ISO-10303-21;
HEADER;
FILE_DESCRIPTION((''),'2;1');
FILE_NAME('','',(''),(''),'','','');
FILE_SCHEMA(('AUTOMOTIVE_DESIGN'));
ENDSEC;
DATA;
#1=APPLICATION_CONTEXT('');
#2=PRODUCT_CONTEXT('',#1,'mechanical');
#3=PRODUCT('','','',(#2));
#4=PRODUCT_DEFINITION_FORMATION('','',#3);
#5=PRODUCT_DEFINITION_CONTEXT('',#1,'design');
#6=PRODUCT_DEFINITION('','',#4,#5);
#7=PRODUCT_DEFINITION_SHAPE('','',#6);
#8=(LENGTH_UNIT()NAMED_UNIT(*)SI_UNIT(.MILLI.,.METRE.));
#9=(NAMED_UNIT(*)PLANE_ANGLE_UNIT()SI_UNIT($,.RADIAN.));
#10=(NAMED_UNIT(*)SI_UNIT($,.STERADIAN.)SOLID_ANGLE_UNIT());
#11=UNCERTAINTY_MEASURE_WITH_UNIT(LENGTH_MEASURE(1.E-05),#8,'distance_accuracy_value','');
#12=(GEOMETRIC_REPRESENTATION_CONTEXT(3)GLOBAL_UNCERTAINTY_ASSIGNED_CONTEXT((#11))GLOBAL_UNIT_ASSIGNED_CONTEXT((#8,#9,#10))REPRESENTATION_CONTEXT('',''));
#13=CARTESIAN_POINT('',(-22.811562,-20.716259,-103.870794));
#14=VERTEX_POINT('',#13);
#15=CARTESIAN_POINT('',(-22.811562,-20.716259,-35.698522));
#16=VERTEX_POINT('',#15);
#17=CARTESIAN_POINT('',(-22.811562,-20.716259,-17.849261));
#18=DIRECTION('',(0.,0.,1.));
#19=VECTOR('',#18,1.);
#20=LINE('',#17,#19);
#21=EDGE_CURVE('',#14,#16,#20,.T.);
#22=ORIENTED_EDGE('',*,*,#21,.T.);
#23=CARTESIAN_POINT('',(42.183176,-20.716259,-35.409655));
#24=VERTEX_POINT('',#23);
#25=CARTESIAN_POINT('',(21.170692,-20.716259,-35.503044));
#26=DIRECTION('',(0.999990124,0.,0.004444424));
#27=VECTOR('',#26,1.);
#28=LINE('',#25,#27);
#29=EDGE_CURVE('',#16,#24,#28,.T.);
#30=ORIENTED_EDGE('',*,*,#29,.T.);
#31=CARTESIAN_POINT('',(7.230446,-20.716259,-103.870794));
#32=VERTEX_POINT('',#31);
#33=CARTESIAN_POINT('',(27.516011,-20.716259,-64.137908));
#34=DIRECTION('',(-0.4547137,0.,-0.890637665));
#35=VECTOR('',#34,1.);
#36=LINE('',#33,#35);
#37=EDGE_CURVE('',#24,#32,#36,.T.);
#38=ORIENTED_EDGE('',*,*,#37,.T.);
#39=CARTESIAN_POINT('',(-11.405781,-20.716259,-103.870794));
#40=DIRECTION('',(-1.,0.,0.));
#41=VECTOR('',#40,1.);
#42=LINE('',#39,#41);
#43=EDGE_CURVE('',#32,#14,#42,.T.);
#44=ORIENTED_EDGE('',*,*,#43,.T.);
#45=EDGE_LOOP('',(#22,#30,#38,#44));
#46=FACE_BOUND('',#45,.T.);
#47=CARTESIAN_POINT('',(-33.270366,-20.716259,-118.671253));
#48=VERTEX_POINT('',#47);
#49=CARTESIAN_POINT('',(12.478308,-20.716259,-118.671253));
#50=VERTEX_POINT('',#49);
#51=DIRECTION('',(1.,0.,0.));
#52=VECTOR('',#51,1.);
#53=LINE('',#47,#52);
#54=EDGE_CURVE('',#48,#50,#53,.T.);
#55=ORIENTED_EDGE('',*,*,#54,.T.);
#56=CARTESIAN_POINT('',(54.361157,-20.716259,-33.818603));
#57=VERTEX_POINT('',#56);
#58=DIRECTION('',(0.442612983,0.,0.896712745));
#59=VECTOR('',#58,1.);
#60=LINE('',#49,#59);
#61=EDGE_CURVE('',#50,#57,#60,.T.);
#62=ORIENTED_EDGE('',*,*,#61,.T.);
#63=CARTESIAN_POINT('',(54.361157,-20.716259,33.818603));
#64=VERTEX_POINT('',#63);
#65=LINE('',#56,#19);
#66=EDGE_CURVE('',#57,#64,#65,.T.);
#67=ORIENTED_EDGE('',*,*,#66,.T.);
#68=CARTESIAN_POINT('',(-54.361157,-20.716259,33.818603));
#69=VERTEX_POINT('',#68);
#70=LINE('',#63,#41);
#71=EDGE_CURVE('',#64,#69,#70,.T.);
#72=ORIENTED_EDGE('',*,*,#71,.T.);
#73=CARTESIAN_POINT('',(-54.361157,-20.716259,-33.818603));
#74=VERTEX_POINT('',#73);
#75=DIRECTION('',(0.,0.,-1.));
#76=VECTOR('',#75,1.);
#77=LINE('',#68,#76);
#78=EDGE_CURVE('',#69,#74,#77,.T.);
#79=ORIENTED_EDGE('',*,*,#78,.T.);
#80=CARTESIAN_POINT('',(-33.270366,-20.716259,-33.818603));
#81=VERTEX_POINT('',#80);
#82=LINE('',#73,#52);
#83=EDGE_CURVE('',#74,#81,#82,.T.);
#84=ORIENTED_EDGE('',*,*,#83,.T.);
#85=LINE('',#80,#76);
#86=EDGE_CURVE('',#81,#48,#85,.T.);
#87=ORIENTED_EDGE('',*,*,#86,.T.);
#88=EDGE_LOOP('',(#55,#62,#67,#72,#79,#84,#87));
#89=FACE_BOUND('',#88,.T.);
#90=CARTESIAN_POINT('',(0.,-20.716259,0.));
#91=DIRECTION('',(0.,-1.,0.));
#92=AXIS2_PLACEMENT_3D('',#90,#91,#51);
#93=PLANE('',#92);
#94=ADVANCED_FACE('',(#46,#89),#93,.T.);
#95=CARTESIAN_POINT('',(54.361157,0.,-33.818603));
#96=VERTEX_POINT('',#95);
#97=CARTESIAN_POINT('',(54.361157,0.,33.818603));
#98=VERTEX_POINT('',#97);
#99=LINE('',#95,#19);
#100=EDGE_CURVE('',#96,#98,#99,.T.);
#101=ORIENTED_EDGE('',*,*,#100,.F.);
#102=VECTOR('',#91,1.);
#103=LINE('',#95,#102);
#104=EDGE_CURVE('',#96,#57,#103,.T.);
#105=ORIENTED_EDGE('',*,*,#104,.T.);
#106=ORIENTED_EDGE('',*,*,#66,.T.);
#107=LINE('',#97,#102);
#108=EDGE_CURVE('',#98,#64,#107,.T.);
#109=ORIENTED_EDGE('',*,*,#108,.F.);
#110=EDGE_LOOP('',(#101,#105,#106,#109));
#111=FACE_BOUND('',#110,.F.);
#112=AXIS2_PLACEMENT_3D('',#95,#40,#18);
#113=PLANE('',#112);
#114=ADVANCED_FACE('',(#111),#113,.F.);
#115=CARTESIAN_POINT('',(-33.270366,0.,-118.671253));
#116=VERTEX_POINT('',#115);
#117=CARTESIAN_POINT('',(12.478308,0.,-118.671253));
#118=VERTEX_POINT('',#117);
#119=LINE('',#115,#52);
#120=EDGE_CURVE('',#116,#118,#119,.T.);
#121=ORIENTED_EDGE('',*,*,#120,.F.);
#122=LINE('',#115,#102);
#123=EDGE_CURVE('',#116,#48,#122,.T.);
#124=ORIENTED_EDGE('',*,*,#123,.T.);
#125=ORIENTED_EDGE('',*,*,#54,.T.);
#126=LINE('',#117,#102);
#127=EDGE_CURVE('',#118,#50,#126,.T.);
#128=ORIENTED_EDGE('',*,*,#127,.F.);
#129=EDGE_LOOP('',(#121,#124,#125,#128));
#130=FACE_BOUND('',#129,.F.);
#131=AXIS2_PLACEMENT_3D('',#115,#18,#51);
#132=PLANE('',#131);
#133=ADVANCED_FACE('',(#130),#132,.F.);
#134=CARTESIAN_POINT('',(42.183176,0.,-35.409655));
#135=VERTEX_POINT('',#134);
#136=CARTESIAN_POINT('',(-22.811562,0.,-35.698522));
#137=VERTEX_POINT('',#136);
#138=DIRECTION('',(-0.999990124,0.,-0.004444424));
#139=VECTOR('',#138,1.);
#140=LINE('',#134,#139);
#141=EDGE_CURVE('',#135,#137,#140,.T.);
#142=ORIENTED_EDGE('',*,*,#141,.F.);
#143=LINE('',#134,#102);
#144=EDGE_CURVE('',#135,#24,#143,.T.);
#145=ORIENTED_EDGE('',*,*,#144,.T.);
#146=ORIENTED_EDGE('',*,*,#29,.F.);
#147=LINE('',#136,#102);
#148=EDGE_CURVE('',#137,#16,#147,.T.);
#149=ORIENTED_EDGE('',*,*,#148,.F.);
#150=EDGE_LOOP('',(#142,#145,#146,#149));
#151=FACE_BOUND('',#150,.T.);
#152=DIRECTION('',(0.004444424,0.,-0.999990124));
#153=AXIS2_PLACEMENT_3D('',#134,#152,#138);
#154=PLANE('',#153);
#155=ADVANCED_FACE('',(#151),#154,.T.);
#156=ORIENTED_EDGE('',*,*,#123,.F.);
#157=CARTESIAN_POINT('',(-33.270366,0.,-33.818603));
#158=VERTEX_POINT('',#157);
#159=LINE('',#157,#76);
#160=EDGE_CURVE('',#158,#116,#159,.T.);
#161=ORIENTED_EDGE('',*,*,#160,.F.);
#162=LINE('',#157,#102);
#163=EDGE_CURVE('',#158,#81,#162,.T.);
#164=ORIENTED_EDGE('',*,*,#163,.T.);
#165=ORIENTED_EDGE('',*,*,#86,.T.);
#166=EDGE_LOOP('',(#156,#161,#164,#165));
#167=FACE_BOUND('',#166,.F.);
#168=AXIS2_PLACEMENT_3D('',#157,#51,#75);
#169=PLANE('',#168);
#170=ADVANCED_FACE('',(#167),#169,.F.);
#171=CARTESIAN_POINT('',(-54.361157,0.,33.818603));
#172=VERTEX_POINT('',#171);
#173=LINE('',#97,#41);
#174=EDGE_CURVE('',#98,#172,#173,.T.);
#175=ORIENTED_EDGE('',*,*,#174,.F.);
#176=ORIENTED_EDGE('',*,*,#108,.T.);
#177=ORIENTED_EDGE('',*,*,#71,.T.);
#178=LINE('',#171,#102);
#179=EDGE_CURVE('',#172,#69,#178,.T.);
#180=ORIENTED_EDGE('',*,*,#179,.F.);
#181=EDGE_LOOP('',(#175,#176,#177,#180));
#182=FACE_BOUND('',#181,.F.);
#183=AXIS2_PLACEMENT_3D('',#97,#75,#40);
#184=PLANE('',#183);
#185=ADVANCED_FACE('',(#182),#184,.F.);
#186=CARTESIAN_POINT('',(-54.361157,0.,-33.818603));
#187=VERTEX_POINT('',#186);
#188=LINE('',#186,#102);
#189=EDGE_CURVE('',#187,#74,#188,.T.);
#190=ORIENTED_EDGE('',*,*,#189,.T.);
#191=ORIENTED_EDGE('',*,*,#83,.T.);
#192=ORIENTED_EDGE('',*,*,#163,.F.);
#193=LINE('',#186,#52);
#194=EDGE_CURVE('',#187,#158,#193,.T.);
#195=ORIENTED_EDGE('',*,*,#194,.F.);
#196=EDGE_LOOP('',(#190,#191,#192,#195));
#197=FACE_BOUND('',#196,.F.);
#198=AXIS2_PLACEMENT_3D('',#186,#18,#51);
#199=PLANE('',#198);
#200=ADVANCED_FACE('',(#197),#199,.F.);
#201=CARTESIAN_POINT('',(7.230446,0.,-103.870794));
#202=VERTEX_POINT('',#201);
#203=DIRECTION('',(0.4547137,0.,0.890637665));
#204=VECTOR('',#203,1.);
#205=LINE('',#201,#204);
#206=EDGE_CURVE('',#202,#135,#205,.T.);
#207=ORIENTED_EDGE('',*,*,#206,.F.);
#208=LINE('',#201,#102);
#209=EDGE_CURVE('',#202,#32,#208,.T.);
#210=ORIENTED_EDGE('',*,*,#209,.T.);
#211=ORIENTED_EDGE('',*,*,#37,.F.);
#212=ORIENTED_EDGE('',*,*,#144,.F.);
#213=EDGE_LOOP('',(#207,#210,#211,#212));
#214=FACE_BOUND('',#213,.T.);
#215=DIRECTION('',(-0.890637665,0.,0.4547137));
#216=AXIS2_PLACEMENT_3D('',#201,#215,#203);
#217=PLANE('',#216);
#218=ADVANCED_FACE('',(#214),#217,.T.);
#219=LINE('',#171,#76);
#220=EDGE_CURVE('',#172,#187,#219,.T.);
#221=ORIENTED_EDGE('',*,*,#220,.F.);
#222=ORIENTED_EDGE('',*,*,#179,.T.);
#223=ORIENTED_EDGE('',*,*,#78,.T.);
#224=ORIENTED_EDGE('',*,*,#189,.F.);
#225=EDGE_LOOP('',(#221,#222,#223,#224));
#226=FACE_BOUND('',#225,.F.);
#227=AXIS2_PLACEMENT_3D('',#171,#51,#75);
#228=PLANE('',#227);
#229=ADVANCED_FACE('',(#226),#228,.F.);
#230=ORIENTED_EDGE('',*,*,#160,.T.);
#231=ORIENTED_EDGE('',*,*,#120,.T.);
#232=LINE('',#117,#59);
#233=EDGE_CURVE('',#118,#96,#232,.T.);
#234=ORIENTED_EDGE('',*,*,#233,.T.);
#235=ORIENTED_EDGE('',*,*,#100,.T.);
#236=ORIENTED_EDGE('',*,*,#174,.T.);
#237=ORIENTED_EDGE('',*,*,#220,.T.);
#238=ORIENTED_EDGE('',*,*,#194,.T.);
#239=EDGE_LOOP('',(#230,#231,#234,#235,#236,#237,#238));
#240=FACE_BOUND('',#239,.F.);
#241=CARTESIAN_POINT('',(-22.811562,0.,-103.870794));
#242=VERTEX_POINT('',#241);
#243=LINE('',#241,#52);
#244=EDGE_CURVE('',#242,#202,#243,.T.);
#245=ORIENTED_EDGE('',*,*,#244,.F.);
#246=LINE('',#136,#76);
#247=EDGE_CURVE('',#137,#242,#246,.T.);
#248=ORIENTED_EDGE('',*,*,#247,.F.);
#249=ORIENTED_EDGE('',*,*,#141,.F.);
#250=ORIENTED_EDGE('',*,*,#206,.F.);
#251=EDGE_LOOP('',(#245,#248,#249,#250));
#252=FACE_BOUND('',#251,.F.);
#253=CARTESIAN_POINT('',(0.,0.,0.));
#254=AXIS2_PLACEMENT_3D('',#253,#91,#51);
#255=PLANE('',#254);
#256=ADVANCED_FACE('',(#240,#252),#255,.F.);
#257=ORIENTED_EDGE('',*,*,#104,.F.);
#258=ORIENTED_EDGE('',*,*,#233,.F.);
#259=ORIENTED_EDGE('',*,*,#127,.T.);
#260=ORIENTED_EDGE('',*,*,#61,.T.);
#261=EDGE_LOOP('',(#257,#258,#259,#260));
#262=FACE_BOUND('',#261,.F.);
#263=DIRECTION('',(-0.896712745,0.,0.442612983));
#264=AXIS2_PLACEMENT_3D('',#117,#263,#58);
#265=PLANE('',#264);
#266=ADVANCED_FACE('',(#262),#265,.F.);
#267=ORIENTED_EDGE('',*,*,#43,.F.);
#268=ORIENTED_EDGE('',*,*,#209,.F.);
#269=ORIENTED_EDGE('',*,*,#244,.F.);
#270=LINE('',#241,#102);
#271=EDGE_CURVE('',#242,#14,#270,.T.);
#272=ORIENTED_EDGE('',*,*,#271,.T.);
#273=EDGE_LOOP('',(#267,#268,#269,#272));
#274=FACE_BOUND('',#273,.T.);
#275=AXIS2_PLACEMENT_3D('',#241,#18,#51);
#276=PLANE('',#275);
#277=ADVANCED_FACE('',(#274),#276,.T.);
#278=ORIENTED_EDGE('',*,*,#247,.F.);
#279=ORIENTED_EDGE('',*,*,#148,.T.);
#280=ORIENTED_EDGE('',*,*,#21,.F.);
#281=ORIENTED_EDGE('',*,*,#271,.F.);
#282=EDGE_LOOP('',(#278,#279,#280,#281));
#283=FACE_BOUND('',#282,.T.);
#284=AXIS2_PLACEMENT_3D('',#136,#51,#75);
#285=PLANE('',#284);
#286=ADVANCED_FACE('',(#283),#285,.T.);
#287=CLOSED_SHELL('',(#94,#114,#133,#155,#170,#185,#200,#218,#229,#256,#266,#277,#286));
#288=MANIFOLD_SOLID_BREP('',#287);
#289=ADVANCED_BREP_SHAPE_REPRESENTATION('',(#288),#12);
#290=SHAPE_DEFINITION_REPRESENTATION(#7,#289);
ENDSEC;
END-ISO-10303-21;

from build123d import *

# Parameters (mm, degrees)
F1_DEPTH = 20.716259
F3_DEPTH = 25.4


with BuildPart() as f1:
    # F0 (on Front) → F1 (new body)
    with BuildSketch(Plane.XZ):
        Polygon((54.361157, -33.818603), (54.361157, 33.818603), (-54.361157, 33.818603), (-54.361157, -33.818603), (-33.270366, -33.818603), align=None)
        Polygon((12.478308, -118.671253), (54.361157, -33.818603), (-33.270366, -33.818603), (-33.270366, -118.671253), align=None)
    extrude(amount=F1_DEPTH)

    # F2 (on Front) → F3 (cut)
    with BuildSketch(Plane.XZ):
        Polygon((42.183176, -35.409655), (-22.811562, -35.698522), (-22.811562, -103.870794), (7.230446, -103.870794), align=None)
    extrude(amount=F3_DEPTH, mode=Mode.SUBTRACT)


solid = f1.part
